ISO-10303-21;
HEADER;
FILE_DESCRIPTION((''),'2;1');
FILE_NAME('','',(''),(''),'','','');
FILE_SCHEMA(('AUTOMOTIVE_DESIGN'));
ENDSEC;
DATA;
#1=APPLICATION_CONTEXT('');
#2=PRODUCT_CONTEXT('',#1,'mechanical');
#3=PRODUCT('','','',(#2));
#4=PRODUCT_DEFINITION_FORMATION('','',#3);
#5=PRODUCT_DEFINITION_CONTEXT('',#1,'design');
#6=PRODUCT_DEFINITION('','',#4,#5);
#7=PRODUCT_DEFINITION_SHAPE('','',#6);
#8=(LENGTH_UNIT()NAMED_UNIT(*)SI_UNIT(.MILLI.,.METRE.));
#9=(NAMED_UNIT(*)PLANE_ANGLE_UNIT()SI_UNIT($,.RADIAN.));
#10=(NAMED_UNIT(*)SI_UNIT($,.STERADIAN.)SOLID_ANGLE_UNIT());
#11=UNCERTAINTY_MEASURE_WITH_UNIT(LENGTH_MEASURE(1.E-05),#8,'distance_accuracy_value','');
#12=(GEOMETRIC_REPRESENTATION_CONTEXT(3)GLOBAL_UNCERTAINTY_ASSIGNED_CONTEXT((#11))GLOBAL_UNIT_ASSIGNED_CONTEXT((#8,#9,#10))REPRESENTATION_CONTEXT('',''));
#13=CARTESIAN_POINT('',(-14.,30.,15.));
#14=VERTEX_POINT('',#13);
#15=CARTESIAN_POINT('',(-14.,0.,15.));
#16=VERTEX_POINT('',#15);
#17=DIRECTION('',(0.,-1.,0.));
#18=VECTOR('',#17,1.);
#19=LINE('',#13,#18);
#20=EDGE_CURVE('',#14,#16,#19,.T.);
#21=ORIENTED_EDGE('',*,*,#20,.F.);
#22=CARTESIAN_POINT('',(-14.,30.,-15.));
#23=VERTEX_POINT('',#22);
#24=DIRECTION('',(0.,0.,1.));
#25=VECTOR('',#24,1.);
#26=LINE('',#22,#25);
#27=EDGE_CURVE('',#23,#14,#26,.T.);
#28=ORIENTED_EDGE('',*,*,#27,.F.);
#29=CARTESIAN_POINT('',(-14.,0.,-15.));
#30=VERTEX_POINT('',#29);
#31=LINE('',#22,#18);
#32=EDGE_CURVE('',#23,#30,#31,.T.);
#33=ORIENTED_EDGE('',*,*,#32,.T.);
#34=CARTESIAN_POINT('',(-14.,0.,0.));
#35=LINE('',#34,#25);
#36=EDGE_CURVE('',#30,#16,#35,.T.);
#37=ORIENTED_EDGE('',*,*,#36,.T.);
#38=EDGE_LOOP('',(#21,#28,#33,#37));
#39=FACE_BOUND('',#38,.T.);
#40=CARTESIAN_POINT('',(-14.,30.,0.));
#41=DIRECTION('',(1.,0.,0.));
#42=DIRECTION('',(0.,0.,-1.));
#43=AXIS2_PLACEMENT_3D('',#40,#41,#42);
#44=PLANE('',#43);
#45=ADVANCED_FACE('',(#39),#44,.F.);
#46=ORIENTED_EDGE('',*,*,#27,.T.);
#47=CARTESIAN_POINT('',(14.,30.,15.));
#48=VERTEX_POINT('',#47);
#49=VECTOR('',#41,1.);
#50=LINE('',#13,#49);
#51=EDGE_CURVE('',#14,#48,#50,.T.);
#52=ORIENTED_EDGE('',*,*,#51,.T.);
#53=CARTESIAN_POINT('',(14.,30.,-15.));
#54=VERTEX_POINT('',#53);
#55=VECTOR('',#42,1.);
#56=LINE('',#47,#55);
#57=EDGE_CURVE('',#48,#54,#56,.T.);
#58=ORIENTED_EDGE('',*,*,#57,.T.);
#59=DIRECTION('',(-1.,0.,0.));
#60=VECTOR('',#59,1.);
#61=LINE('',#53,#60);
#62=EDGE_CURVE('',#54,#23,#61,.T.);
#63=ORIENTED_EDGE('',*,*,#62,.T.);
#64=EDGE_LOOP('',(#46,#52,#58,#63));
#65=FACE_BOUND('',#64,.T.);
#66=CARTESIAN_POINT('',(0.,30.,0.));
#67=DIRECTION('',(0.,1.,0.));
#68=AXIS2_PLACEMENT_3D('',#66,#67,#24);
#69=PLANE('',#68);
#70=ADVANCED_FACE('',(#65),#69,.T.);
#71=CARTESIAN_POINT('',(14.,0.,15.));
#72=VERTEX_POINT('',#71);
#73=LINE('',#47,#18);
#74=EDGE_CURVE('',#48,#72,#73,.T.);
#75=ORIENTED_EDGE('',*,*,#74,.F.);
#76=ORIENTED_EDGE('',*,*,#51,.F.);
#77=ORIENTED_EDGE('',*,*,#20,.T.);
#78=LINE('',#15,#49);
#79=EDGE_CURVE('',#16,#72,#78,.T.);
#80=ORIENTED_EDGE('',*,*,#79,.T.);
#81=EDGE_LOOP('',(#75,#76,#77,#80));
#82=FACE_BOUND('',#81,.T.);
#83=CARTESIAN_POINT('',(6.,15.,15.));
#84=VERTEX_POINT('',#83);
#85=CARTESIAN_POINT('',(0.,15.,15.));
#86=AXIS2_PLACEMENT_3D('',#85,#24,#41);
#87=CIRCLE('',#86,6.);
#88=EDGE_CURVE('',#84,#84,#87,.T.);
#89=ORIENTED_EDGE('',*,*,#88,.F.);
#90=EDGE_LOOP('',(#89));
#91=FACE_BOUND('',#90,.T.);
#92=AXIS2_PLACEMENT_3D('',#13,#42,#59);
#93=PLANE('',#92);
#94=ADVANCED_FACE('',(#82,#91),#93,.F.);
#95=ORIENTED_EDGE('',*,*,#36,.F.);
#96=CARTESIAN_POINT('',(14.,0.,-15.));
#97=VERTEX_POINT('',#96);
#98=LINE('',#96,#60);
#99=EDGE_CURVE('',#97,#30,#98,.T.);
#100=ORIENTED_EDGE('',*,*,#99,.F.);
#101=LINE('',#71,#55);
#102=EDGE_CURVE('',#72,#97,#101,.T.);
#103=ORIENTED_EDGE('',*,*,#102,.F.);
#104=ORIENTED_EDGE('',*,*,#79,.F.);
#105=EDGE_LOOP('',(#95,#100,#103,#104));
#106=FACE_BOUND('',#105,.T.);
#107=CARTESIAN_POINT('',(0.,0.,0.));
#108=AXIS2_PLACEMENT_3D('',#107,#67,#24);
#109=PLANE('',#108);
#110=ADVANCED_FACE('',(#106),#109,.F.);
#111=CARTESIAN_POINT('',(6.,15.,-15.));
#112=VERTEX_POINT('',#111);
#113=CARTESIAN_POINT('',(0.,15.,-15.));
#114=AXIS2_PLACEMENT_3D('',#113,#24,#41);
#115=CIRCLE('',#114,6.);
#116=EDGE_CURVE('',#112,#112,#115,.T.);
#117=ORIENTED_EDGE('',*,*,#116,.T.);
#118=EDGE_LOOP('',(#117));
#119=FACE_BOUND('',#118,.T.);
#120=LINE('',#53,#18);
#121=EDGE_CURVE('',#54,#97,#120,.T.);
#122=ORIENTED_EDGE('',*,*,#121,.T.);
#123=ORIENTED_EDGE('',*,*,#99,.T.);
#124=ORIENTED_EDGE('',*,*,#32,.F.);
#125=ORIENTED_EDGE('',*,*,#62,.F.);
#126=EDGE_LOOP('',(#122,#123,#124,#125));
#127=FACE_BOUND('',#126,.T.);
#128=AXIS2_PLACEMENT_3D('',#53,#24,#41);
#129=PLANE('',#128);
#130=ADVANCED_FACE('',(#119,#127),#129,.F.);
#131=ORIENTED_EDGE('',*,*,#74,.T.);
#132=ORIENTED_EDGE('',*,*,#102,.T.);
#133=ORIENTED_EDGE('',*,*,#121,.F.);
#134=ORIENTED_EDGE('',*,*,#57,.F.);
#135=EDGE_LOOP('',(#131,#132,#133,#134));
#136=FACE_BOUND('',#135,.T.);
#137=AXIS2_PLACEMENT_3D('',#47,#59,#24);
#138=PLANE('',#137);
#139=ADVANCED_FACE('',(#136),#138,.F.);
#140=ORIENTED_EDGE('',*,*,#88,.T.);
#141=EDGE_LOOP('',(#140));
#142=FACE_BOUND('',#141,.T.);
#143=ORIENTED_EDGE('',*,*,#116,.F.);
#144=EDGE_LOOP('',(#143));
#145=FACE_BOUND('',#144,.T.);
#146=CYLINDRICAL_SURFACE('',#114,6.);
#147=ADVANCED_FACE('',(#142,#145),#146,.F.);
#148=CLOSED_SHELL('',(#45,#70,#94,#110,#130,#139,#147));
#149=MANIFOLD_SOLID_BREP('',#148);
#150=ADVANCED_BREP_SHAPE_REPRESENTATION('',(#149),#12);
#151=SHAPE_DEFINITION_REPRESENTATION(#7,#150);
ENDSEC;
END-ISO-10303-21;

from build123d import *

# Parameters (mm, degrees)
BOSS_EXTRUDE1_DEPTH = 30
SKETCH2_R           = 6
CUT_EXTRUDE1_DEPTH  = 45.676615807


with BuildPart() as part:
    # Sketch1 → Boss-Extrude1 (new body)
    with BuildSketch(Plane(origin=(0, 0, 0), x_dir=(1, 0, 0), z_dir=(0, 1, 0))):
        Polygon((-14, 0), (-14, -15), (14, -15), (14, 15), (-14, 15), align=None)
    extrude(amount=BOSS_EXTRUDE1_DEPTH)

    # Sketch2 → Cut-Extrude1 (cut, through all)
    with BuildSketch(Plane.XY.offset(15)):
        with Locations((0, 15)):
            Circle(SKETCH2_R)
    extrude(amount=-CUT_EXTRUDE1_DEPTH, mode=Mode.SUBTRACT)


solid = part.part
